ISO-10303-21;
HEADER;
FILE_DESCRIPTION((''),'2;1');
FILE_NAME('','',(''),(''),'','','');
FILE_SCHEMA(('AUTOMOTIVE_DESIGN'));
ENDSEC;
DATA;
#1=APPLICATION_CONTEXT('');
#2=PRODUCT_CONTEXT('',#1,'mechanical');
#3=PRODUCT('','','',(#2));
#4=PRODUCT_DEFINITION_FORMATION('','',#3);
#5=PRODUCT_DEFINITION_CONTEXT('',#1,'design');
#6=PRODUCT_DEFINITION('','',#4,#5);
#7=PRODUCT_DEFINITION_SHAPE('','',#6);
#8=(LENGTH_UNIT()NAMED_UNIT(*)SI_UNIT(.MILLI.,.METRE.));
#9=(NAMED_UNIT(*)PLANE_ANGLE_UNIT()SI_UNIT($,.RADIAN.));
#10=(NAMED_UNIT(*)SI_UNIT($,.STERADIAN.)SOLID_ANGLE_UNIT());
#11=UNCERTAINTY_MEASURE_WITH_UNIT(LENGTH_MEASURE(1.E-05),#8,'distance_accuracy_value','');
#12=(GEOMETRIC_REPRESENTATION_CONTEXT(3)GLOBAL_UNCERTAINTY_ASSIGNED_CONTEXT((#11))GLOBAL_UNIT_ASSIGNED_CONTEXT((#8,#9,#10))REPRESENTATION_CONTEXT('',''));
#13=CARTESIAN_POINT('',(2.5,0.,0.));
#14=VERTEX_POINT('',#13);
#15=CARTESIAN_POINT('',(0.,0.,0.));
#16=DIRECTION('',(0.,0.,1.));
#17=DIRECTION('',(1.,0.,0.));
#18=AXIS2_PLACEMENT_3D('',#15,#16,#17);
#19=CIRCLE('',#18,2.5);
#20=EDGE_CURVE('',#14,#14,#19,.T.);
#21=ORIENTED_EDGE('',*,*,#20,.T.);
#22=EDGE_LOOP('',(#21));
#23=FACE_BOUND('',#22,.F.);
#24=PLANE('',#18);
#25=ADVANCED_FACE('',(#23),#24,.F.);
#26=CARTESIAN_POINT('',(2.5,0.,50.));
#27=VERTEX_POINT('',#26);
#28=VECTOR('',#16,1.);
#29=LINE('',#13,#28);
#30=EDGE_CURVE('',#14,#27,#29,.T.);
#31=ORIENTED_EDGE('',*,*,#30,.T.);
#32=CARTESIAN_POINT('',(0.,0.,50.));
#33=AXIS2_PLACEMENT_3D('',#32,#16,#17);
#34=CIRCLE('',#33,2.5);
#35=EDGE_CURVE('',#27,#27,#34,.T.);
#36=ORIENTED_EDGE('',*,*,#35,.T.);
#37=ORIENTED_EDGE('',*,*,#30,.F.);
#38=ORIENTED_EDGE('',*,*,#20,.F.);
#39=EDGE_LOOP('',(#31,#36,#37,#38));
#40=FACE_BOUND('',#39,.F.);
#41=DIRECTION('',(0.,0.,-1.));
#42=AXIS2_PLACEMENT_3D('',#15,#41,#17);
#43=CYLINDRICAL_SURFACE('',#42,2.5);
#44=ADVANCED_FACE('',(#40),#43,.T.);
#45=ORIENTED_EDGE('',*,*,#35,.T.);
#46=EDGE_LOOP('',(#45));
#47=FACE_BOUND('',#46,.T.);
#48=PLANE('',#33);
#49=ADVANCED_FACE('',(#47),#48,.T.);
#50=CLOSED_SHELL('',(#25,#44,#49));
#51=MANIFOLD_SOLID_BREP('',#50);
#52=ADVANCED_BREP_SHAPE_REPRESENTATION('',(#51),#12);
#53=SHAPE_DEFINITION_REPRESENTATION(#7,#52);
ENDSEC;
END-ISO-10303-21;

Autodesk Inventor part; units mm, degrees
ref_plane "YZ Plane" through (0, 0, 0) normal (1, 0, 0) x (0, 1, 0)
ref_plane "XZ Plane" through (0, 0, 0) normal (0, 1, 0) x (-1, 0, 0)
ref_plane "XY Plane" through (0, 0, 0) normal (0, 0, 1) x (1, 0, 0)
sketch "Boceto1" plane through (0, 0, 0) normal (0, 0, 1) x (1, 0, 0)
  circle A0 centre (0, 0) radius 2.5
  dimension "d0" = 5
extrude "Extrusión1" add sketch "Boceto1" along normal blind 50
properties part number "Pin_soporte"
